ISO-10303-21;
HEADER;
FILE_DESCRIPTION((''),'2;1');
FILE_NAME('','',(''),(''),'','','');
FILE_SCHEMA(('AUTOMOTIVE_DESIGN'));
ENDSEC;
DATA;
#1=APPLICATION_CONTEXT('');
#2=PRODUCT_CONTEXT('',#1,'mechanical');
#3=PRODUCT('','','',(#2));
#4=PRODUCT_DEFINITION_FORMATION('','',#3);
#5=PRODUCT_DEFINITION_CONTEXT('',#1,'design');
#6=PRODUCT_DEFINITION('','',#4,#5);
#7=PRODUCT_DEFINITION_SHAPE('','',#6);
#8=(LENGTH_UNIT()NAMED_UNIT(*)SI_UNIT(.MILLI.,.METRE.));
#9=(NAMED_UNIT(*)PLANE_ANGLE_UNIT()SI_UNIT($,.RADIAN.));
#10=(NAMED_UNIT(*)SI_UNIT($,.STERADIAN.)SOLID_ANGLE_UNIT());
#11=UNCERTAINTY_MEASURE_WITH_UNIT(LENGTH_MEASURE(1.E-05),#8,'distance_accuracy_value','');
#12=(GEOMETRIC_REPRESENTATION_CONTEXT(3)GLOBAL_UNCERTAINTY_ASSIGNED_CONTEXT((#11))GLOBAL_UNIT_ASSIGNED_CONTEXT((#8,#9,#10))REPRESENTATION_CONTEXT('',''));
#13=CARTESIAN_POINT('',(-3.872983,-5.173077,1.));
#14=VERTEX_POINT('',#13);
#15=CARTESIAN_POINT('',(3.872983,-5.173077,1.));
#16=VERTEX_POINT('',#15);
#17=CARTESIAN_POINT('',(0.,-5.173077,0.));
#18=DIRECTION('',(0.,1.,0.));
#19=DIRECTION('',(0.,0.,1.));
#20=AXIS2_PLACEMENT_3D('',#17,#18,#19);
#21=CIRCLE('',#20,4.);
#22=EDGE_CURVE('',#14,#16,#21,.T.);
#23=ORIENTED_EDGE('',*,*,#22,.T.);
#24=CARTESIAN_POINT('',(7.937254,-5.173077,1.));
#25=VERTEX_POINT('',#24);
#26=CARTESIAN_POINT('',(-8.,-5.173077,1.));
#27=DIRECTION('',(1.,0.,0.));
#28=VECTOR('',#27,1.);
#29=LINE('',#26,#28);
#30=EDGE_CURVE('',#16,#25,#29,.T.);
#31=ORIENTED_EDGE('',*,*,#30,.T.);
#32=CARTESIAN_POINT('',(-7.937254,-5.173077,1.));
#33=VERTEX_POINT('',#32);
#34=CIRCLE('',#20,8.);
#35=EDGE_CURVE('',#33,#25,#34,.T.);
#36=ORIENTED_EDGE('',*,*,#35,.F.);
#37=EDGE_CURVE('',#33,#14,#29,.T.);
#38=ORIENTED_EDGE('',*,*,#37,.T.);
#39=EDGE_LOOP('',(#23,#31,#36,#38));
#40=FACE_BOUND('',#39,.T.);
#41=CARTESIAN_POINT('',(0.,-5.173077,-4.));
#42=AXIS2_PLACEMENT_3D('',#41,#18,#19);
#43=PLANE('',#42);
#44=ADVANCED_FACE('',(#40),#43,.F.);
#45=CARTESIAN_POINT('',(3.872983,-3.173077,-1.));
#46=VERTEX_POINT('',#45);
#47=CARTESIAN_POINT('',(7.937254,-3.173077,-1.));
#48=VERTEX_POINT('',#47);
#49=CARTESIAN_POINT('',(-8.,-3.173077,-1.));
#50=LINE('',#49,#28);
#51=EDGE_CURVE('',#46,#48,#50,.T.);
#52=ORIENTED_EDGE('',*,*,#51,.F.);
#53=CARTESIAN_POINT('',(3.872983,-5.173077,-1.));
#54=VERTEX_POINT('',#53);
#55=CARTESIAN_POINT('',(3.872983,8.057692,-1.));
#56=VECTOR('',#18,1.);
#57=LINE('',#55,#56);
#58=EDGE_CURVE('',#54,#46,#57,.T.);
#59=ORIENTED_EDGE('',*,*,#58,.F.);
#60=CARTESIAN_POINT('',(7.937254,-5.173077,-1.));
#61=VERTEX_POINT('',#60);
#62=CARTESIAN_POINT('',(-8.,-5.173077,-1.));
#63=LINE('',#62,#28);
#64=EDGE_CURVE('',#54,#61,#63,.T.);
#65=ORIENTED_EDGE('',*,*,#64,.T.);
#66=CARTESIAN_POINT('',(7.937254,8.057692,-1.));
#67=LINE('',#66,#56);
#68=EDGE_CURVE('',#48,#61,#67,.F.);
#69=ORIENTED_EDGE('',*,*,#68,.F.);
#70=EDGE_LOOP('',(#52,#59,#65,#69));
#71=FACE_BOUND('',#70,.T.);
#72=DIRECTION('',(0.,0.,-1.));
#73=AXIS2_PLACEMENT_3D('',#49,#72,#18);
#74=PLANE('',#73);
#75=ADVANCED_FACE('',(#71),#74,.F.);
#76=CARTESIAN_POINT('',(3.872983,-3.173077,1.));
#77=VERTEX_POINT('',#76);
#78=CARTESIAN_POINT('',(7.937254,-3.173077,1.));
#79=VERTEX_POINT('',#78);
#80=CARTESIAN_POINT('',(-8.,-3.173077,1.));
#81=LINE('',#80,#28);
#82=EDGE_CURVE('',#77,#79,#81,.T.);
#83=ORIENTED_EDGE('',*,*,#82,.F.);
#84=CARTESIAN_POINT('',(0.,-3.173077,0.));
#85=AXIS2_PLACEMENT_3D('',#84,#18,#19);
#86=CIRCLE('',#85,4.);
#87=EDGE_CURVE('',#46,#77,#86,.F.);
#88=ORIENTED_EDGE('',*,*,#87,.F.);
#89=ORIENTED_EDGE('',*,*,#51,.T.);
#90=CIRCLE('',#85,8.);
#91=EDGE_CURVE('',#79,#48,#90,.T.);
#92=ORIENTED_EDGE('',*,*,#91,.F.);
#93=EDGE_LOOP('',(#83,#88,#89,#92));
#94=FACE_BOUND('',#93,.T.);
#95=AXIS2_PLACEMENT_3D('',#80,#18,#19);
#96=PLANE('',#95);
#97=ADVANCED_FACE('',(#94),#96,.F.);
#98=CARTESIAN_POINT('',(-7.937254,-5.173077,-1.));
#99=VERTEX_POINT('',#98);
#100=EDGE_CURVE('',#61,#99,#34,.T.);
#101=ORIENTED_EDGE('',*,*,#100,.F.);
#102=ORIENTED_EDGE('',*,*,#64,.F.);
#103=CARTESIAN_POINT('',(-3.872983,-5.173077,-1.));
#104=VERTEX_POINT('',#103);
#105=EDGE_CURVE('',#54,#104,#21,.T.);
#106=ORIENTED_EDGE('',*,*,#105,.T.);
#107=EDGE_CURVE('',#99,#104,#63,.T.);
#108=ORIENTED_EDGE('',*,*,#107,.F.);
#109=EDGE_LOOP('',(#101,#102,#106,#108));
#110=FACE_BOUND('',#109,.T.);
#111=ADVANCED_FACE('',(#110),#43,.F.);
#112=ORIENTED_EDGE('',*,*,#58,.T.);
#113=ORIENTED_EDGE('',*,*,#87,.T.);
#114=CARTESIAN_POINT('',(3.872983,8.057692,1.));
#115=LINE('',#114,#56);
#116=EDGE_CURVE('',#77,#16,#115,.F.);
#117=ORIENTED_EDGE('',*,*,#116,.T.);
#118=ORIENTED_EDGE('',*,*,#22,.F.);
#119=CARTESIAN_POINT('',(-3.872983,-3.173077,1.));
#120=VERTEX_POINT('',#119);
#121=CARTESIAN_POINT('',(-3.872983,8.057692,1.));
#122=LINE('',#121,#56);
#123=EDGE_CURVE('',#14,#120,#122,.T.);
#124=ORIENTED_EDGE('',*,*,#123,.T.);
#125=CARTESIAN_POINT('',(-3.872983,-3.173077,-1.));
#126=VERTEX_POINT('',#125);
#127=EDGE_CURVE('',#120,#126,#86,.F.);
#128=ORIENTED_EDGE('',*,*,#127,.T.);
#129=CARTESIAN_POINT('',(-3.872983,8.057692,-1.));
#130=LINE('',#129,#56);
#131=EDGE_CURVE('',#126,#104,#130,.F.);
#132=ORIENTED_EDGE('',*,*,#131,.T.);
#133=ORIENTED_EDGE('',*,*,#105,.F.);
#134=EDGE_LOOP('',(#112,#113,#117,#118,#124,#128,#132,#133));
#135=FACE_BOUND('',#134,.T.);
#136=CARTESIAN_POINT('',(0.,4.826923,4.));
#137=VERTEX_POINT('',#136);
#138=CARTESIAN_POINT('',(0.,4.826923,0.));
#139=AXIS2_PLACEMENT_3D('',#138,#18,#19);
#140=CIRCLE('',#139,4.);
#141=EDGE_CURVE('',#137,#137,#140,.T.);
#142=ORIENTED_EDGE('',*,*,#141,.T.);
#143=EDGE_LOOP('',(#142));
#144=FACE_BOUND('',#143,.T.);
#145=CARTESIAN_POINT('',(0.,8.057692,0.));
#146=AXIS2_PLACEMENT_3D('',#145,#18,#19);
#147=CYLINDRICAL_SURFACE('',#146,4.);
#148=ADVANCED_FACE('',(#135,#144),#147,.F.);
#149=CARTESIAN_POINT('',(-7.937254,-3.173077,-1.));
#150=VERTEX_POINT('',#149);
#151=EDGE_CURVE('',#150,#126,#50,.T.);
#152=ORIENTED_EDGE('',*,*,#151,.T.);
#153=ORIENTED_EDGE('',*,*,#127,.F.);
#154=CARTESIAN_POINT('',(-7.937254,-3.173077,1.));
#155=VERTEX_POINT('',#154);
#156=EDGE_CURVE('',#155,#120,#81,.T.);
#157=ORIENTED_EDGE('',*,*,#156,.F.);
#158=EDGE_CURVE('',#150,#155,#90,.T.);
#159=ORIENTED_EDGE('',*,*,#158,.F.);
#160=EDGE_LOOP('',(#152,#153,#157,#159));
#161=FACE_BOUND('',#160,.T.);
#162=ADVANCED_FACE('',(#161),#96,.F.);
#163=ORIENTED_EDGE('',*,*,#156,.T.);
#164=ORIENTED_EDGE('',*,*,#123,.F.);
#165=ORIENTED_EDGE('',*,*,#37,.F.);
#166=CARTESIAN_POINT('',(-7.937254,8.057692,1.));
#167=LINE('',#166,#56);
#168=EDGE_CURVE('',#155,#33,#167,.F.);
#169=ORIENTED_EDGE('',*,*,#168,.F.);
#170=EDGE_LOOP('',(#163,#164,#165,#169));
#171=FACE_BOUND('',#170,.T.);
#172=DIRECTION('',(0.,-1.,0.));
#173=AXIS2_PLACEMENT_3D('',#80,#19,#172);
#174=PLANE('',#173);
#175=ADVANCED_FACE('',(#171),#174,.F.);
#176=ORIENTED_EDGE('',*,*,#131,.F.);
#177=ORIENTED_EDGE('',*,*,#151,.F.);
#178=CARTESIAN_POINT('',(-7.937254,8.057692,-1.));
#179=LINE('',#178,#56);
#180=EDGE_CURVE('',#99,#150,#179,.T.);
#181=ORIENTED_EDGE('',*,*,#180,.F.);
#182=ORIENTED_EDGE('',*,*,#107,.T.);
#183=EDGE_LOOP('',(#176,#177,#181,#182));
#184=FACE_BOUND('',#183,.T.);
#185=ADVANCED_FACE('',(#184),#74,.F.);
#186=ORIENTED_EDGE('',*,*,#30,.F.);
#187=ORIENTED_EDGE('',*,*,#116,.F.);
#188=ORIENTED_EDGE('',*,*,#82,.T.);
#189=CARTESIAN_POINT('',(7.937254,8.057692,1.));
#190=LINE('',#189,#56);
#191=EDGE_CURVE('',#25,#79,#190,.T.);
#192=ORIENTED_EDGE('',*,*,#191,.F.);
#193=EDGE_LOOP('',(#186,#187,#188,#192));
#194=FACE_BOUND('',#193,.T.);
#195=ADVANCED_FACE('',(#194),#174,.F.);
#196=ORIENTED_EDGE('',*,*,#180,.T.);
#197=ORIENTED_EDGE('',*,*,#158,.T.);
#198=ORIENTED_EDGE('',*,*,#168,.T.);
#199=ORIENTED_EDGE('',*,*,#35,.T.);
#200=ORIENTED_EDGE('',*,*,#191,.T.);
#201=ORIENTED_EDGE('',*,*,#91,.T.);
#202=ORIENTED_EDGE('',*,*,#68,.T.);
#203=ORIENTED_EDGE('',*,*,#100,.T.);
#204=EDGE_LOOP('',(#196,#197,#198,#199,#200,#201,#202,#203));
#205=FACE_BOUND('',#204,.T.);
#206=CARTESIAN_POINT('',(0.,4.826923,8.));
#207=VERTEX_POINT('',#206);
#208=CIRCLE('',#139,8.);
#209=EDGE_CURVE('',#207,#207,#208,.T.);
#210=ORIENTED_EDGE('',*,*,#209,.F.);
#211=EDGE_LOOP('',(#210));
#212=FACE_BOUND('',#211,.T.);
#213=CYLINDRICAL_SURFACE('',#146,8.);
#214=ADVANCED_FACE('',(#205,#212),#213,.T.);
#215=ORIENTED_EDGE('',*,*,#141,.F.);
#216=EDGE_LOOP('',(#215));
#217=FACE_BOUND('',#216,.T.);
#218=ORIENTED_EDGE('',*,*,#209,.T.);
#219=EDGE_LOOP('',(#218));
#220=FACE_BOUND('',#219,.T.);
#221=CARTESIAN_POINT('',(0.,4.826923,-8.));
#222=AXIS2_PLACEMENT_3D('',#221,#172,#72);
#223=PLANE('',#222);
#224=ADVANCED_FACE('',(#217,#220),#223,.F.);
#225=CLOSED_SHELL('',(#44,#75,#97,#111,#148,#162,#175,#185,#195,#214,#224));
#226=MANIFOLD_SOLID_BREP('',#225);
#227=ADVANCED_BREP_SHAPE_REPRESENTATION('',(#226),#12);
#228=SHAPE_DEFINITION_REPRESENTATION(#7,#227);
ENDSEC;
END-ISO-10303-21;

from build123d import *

# Parameters (mm, degrees)
SKETCH2_W               = 4
SKETCH2_H               = 10
SKETCH3_W               = 2
SKETCH3_H               = 2
CUT_EXTRUDE1_DEPTH      = 9
CUT_EXTRUDE1_DEPTH_BACK = 9


with BuildPart() as part:
    # Sketch2 → Revolve1 (revolve)
    with BuildSketch(Plane(origin=(0, 0, 0), x_dir=(0, 0, -1), z_dir=(1, 0, 0))):
        with Locations((6, -0.173076923)):
            Rectangle(SKETCH2_W, SKETCH2_H)
    revolve(axis=Axis((0, 8.057692308, 0), (0, -1, 0)))

    # Sketch3 → Cut-Extrude1 (cut, two sides)
    with BuildSketch(Plane(origin=(0, 0, 0), x_dir=(0, 0, -1), z_dir=(1, 0, 0))) as cut_extrude1_sk:
        with Locations((0, -4.173076923)):
            Rectangle(SKETCH3_W, SKETCH3_H)
    extrude(amount=CUT_EXTRUDE1_DEPTH, mode=Mode.SUBTRACT)
    extrude(cut_extrude1_sk.sketch, amount=-CUT_EXTRUDE1_DEPTH_BACK, mode=Mode.SUBTRACT)


solid = part.part
